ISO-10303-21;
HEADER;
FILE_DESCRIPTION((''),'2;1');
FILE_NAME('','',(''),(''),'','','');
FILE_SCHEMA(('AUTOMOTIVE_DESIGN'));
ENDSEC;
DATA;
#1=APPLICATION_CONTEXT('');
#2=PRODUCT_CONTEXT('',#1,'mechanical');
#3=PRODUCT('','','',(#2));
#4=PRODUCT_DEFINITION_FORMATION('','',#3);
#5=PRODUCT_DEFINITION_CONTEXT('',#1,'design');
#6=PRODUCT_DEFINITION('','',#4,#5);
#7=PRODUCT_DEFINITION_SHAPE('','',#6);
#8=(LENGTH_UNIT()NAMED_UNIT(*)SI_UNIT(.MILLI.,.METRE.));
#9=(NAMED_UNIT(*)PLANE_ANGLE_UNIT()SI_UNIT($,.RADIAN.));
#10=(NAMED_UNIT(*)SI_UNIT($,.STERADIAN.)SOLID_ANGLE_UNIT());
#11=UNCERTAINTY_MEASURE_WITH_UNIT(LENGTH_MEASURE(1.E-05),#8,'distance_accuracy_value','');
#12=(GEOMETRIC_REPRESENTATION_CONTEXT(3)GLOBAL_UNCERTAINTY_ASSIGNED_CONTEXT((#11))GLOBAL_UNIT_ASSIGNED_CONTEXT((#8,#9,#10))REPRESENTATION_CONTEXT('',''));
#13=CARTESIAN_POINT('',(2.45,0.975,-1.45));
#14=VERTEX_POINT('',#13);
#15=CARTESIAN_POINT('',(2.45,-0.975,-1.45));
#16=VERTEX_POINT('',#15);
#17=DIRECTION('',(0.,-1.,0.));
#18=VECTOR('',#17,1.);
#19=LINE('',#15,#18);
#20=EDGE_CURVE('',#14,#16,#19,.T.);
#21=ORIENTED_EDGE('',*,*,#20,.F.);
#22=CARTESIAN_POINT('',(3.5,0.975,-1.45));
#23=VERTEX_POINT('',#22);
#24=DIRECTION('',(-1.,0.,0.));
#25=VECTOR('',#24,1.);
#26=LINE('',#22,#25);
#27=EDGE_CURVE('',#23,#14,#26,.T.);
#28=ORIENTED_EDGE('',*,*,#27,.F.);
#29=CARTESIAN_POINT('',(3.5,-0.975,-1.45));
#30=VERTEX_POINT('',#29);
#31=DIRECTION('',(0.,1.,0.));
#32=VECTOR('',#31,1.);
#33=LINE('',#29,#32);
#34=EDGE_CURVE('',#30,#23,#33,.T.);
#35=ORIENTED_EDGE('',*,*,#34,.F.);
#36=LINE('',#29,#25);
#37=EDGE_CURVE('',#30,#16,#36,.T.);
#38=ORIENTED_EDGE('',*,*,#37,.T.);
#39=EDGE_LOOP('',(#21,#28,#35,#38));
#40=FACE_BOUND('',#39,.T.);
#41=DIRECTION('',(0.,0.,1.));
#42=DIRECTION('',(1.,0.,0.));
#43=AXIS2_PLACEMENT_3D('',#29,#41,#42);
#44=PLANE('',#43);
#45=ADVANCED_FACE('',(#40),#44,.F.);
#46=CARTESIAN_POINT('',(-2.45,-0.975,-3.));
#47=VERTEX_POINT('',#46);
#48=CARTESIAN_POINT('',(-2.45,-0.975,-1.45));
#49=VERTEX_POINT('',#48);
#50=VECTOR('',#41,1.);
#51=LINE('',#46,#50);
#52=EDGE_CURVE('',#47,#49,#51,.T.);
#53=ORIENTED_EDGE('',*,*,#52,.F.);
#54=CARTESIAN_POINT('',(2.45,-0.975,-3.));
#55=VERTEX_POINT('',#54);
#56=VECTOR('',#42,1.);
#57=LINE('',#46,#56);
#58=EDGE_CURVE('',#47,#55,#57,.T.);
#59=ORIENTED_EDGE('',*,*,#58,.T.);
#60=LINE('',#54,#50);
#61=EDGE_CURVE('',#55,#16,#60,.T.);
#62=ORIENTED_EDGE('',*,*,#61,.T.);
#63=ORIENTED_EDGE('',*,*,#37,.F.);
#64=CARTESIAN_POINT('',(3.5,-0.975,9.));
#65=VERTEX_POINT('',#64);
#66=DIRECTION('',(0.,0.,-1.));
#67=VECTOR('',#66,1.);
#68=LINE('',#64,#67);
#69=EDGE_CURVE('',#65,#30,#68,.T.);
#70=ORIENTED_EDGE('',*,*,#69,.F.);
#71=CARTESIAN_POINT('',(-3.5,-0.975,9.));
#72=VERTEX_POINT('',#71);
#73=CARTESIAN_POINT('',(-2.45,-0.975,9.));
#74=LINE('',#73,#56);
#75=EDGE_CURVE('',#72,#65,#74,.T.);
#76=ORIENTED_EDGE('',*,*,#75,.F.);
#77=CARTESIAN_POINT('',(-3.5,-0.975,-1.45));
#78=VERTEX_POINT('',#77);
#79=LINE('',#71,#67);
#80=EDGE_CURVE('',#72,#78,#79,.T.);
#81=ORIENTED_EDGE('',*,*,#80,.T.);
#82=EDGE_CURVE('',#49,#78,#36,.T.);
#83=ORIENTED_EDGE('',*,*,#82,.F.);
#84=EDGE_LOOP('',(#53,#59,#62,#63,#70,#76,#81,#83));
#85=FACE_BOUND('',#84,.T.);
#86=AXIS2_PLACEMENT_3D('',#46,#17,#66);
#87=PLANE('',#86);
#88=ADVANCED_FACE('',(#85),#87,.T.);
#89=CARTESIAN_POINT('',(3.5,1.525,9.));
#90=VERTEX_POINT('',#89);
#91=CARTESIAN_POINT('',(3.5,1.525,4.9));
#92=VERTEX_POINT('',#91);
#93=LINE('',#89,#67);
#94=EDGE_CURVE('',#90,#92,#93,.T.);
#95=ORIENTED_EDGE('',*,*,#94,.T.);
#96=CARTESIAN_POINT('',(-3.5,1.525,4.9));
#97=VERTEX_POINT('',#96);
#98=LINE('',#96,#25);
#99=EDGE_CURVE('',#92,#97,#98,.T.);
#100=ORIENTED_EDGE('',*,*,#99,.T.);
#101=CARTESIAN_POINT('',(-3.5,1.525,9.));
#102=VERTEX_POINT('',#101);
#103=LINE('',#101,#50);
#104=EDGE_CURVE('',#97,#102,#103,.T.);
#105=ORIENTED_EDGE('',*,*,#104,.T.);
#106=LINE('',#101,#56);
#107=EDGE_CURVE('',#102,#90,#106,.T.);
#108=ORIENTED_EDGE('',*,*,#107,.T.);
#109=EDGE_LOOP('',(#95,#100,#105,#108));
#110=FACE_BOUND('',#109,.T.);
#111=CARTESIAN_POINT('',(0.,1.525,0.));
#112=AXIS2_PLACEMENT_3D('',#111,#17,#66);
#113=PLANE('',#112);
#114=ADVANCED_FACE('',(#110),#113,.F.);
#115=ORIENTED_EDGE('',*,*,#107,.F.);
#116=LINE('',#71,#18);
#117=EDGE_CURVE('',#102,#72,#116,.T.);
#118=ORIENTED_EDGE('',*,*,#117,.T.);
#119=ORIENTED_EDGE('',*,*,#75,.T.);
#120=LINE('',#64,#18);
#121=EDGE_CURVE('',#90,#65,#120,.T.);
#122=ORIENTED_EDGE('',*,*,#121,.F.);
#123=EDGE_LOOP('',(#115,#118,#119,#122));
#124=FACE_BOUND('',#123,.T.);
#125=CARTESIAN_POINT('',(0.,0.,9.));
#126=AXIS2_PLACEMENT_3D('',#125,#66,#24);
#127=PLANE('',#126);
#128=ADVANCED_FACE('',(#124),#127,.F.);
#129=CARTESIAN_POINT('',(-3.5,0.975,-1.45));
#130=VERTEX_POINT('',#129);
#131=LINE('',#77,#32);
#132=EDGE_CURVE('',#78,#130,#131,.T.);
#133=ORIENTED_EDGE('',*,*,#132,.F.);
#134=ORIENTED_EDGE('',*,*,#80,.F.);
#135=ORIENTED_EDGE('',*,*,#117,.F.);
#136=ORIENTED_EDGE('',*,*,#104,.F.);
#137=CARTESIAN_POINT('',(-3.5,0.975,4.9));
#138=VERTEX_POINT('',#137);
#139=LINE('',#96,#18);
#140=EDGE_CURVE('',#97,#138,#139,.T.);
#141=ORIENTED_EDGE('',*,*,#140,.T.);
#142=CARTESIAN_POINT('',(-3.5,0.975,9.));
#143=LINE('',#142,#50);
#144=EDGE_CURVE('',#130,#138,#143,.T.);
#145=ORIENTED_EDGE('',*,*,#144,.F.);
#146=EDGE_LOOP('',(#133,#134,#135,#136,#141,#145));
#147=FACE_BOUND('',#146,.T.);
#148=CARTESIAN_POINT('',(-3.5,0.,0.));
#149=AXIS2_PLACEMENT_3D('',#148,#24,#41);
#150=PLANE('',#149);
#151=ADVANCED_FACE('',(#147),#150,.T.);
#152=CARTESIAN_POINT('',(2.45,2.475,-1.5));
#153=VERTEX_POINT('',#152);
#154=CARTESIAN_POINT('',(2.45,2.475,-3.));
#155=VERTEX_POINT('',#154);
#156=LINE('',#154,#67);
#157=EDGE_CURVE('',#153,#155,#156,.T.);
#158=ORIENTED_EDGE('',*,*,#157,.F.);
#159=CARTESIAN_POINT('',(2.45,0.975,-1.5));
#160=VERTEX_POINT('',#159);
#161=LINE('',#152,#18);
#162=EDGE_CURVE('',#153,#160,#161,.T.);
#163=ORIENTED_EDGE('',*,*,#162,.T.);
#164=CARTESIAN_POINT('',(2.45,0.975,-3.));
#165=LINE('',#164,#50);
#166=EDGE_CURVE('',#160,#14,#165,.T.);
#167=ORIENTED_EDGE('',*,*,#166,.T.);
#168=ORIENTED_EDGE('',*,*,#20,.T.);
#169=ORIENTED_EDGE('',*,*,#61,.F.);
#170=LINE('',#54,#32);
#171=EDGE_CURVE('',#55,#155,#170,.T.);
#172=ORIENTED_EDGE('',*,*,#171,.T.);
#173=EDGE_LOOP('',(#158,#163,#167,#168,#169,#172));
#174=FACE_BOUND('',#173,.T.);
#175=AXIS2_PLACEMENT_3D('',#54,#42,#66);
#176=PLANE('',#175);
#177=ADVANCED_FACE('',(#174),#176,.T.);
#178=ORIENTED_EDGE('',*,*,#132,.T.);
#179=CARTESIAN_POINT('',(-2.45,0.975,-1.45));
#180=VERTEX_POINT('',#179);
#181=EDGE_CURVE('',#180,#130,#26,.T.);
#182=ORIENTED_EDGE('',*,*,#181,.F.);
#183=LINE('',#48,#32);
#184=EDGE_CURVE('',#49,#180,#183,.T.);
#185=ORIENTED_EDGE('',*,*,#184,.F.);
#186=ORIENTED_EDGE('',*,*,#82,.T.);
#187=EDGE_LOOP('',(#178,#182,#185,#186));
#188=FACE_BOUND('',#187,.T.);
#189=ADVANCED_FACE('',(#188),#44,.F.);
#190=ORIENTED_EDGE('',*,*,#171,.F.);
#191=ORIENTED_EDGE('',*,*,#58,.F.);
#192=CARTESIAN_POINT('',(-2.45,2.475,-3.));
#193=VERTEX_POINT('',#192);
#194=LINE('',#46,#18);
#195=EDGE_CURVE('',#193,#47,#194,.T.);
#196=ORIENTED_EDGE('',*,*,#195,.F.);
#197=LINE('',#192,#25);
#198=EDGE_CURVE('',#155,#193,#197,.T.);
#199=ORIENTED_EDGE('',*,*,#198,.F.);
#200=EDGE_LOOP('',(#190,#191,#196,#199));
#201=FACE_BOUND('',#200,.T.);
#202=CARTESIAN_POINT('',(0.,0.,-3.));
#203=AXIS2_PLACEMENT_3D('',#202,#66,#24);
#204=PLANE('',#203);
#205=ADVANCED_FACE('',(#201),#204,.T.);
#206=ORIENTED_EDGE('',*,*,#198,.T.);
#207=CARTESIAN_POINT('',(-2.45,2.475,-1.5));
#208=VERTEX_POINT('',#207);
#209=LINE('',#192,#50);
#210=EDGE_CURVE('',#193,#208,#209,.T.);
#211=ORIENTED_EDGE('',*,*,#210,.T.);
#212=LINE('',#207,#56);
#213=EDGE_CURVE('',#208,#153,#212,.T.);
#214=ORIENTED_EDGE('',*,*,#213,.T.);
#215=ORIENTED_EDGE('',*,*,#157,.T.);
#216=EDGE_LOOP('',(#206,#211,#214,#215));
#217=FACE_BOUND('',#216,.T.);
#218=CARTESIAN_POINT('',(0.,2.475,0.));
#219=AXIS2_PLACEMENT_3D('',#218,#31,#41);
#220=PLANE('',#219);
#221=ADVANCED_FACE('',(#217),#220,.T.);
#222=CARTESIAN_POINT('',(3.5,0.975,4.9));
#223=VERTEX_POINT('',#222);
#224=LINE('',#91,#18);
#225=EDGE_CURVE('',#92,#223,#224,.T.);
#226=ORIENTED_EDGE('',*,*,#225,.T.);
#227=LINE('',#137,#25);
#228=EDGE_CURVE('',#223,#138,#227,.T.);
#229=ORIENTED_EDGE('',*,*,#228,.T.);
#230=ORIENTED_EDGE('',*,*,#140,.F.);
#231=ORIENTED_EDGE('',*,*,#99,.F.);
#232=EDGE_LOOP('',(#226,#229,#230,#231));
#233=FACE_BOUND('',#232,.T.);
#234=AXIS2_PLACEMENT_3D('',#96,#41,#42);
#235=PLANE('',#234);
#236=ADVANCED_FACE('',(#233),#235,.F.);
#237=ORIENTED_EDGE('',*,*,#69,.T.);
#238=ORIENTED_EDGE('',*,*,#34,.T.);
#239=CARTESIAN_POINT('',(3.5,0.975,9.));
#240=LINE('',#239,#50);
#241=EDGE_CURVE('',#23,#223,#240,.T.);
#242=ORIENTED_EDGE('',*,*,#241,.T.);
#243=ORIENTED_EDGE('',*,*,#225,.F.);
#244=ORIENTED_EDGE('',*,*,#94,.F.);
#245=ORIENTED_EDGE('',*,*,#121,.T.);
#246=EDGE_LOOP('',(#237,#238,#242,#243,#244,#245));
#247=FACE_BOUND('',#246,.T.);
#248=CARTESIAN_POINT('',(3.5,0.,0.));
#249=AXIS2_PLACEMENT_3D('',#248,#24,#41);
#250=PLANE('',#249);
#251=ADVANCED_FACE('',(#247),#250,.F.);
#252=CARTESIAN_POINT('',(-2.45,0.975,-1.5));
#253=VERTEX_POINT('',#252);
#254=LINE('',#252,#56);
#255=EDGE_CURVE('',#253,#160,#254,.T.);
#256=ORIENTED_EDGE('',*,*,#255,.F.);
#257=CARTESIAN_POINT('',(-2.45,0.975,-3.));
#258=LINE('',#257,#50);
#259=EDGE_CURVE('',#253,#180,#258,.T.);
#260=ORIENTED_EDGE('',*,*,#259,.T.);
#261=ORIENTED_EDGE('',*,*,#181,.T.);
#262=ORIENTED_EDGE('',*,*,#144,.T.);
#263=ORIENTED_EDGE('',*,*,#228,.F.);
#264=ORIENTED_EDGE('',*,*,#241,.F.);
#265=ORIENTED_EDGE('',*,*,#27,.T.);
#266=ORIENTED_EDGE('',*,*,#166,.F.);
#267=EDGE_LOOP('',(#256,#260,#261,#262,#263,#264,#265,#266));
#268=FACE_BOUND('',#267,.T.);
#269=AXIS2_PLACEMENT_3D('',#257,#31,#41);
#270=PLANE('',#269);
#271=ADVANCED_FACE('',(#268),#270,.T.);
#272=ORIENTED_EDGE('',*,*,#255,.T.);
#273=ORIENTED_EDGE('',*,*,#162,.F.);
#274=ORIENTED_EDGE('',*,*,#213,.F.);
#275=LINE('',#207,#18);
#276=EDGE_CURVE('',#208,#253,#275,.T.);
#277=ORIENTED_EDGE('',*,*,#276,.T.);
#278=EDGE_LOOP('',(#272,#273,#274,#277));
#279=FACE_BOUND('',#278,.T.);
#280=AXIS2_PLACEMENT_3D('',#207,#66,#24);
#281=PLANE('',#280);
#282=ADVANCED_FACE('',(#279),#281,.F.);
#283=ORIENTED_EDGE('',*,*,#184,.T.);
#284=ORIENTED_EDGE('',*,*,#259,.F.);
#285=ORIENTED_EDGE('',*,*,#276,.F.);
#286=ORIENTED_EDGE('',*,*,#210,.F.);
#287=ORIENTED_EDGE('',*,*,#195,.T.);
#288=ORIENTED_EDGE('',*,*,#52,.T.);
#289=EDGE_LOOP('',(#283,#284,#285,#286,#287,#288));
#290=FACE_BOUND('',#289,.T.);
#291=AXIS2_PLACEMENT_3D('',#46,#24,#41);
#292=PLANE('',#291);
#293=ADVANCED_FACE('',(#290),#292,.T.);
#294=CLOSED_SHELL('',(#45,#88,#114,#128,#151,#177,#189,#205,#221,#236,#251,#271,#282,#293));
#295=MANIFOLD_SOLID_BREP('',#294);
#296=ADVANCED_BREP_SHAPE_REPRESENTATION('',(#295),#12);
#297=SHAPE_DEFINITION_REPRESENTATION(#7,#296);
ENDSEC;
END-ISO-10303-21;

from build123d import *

# Parameters (mm, degrees)
BOSS_EXTRUDE1_DEPTH      = 9
BOSS_EXTRUDE1_DEPTH_BACK = 3
SKETCH1_W                = 4.9
SKETCH1_H                = 1.95
SKETCH2_W                = 4.9
SKETCH2_H                = 1.5
BOSS_EXTRUDE2_DEPTH      = 1.5
SKETCH3_W                = 10.45
SKETCH3_H                = 1.95
BOSS_EXTRUDE3_DEPTH      = 3.5
SKETCH4_W                = 7
SKETCH4_H                = 4.1
BOSS_EXTRUDE4_DEPTH      = 0.55


with BuildPart() as part:
    # Sketch1 → Boss-Extrude1 (new, two sides: drawn at the far end of the back side and taken through both)
    with BuildSketch(Plane.XY.offset(-BOSS_EXTRUDE1_DEPTH_BACK)):
        Rectangle(SKETCH1_W, SKETCH1_H)
    extrude(amount=BOSS_EXTRUDE1_DEPTH + BOSS_EXTRUDE1_DEPTH_BACK)

    # Sketch2 → Boss-Extrude2 (add)
    with BuildSketch(Plane(origin=(0, 0.975, 0), x_dir=(1, 0, 0), z_dir=(0, 1, 0))):
        with Locations((0, 2.25)):
            Rectangle(SKETCH2_W, SKETCH2_H)
    extrude(amount=BOSS_EXTRUDE2_DEPTH)

    # Sketch3 → Boss-Extrude3 (add, symmetric)
    with BuildSketch(Plane(origin=(0, 0, 0), x_dir=(0, 0, -1), z_dir=(1, 0, 0))):
        with Locations((-3.775, 0)):
            Rectangle(SKETCH3_W, SKETCH3_H)
    extrude(amount=BOSS_EXTRUDE3_DEPTH, both=True)

    # Sketch4 → Boss-Extrude4 (add)
    with BuildSketch(Plane(origin=(0, 0.975, 0), x_dir=(1, 0, 0), z_dir=(0, 1, 0))):
        with Locations((0, -6.95)):
            Rectangle(SKETCH4_W, SKETCH4_H)
    extrude(amount=BOSS_EXTRUDE4_DEPTH)


solid = part.part
